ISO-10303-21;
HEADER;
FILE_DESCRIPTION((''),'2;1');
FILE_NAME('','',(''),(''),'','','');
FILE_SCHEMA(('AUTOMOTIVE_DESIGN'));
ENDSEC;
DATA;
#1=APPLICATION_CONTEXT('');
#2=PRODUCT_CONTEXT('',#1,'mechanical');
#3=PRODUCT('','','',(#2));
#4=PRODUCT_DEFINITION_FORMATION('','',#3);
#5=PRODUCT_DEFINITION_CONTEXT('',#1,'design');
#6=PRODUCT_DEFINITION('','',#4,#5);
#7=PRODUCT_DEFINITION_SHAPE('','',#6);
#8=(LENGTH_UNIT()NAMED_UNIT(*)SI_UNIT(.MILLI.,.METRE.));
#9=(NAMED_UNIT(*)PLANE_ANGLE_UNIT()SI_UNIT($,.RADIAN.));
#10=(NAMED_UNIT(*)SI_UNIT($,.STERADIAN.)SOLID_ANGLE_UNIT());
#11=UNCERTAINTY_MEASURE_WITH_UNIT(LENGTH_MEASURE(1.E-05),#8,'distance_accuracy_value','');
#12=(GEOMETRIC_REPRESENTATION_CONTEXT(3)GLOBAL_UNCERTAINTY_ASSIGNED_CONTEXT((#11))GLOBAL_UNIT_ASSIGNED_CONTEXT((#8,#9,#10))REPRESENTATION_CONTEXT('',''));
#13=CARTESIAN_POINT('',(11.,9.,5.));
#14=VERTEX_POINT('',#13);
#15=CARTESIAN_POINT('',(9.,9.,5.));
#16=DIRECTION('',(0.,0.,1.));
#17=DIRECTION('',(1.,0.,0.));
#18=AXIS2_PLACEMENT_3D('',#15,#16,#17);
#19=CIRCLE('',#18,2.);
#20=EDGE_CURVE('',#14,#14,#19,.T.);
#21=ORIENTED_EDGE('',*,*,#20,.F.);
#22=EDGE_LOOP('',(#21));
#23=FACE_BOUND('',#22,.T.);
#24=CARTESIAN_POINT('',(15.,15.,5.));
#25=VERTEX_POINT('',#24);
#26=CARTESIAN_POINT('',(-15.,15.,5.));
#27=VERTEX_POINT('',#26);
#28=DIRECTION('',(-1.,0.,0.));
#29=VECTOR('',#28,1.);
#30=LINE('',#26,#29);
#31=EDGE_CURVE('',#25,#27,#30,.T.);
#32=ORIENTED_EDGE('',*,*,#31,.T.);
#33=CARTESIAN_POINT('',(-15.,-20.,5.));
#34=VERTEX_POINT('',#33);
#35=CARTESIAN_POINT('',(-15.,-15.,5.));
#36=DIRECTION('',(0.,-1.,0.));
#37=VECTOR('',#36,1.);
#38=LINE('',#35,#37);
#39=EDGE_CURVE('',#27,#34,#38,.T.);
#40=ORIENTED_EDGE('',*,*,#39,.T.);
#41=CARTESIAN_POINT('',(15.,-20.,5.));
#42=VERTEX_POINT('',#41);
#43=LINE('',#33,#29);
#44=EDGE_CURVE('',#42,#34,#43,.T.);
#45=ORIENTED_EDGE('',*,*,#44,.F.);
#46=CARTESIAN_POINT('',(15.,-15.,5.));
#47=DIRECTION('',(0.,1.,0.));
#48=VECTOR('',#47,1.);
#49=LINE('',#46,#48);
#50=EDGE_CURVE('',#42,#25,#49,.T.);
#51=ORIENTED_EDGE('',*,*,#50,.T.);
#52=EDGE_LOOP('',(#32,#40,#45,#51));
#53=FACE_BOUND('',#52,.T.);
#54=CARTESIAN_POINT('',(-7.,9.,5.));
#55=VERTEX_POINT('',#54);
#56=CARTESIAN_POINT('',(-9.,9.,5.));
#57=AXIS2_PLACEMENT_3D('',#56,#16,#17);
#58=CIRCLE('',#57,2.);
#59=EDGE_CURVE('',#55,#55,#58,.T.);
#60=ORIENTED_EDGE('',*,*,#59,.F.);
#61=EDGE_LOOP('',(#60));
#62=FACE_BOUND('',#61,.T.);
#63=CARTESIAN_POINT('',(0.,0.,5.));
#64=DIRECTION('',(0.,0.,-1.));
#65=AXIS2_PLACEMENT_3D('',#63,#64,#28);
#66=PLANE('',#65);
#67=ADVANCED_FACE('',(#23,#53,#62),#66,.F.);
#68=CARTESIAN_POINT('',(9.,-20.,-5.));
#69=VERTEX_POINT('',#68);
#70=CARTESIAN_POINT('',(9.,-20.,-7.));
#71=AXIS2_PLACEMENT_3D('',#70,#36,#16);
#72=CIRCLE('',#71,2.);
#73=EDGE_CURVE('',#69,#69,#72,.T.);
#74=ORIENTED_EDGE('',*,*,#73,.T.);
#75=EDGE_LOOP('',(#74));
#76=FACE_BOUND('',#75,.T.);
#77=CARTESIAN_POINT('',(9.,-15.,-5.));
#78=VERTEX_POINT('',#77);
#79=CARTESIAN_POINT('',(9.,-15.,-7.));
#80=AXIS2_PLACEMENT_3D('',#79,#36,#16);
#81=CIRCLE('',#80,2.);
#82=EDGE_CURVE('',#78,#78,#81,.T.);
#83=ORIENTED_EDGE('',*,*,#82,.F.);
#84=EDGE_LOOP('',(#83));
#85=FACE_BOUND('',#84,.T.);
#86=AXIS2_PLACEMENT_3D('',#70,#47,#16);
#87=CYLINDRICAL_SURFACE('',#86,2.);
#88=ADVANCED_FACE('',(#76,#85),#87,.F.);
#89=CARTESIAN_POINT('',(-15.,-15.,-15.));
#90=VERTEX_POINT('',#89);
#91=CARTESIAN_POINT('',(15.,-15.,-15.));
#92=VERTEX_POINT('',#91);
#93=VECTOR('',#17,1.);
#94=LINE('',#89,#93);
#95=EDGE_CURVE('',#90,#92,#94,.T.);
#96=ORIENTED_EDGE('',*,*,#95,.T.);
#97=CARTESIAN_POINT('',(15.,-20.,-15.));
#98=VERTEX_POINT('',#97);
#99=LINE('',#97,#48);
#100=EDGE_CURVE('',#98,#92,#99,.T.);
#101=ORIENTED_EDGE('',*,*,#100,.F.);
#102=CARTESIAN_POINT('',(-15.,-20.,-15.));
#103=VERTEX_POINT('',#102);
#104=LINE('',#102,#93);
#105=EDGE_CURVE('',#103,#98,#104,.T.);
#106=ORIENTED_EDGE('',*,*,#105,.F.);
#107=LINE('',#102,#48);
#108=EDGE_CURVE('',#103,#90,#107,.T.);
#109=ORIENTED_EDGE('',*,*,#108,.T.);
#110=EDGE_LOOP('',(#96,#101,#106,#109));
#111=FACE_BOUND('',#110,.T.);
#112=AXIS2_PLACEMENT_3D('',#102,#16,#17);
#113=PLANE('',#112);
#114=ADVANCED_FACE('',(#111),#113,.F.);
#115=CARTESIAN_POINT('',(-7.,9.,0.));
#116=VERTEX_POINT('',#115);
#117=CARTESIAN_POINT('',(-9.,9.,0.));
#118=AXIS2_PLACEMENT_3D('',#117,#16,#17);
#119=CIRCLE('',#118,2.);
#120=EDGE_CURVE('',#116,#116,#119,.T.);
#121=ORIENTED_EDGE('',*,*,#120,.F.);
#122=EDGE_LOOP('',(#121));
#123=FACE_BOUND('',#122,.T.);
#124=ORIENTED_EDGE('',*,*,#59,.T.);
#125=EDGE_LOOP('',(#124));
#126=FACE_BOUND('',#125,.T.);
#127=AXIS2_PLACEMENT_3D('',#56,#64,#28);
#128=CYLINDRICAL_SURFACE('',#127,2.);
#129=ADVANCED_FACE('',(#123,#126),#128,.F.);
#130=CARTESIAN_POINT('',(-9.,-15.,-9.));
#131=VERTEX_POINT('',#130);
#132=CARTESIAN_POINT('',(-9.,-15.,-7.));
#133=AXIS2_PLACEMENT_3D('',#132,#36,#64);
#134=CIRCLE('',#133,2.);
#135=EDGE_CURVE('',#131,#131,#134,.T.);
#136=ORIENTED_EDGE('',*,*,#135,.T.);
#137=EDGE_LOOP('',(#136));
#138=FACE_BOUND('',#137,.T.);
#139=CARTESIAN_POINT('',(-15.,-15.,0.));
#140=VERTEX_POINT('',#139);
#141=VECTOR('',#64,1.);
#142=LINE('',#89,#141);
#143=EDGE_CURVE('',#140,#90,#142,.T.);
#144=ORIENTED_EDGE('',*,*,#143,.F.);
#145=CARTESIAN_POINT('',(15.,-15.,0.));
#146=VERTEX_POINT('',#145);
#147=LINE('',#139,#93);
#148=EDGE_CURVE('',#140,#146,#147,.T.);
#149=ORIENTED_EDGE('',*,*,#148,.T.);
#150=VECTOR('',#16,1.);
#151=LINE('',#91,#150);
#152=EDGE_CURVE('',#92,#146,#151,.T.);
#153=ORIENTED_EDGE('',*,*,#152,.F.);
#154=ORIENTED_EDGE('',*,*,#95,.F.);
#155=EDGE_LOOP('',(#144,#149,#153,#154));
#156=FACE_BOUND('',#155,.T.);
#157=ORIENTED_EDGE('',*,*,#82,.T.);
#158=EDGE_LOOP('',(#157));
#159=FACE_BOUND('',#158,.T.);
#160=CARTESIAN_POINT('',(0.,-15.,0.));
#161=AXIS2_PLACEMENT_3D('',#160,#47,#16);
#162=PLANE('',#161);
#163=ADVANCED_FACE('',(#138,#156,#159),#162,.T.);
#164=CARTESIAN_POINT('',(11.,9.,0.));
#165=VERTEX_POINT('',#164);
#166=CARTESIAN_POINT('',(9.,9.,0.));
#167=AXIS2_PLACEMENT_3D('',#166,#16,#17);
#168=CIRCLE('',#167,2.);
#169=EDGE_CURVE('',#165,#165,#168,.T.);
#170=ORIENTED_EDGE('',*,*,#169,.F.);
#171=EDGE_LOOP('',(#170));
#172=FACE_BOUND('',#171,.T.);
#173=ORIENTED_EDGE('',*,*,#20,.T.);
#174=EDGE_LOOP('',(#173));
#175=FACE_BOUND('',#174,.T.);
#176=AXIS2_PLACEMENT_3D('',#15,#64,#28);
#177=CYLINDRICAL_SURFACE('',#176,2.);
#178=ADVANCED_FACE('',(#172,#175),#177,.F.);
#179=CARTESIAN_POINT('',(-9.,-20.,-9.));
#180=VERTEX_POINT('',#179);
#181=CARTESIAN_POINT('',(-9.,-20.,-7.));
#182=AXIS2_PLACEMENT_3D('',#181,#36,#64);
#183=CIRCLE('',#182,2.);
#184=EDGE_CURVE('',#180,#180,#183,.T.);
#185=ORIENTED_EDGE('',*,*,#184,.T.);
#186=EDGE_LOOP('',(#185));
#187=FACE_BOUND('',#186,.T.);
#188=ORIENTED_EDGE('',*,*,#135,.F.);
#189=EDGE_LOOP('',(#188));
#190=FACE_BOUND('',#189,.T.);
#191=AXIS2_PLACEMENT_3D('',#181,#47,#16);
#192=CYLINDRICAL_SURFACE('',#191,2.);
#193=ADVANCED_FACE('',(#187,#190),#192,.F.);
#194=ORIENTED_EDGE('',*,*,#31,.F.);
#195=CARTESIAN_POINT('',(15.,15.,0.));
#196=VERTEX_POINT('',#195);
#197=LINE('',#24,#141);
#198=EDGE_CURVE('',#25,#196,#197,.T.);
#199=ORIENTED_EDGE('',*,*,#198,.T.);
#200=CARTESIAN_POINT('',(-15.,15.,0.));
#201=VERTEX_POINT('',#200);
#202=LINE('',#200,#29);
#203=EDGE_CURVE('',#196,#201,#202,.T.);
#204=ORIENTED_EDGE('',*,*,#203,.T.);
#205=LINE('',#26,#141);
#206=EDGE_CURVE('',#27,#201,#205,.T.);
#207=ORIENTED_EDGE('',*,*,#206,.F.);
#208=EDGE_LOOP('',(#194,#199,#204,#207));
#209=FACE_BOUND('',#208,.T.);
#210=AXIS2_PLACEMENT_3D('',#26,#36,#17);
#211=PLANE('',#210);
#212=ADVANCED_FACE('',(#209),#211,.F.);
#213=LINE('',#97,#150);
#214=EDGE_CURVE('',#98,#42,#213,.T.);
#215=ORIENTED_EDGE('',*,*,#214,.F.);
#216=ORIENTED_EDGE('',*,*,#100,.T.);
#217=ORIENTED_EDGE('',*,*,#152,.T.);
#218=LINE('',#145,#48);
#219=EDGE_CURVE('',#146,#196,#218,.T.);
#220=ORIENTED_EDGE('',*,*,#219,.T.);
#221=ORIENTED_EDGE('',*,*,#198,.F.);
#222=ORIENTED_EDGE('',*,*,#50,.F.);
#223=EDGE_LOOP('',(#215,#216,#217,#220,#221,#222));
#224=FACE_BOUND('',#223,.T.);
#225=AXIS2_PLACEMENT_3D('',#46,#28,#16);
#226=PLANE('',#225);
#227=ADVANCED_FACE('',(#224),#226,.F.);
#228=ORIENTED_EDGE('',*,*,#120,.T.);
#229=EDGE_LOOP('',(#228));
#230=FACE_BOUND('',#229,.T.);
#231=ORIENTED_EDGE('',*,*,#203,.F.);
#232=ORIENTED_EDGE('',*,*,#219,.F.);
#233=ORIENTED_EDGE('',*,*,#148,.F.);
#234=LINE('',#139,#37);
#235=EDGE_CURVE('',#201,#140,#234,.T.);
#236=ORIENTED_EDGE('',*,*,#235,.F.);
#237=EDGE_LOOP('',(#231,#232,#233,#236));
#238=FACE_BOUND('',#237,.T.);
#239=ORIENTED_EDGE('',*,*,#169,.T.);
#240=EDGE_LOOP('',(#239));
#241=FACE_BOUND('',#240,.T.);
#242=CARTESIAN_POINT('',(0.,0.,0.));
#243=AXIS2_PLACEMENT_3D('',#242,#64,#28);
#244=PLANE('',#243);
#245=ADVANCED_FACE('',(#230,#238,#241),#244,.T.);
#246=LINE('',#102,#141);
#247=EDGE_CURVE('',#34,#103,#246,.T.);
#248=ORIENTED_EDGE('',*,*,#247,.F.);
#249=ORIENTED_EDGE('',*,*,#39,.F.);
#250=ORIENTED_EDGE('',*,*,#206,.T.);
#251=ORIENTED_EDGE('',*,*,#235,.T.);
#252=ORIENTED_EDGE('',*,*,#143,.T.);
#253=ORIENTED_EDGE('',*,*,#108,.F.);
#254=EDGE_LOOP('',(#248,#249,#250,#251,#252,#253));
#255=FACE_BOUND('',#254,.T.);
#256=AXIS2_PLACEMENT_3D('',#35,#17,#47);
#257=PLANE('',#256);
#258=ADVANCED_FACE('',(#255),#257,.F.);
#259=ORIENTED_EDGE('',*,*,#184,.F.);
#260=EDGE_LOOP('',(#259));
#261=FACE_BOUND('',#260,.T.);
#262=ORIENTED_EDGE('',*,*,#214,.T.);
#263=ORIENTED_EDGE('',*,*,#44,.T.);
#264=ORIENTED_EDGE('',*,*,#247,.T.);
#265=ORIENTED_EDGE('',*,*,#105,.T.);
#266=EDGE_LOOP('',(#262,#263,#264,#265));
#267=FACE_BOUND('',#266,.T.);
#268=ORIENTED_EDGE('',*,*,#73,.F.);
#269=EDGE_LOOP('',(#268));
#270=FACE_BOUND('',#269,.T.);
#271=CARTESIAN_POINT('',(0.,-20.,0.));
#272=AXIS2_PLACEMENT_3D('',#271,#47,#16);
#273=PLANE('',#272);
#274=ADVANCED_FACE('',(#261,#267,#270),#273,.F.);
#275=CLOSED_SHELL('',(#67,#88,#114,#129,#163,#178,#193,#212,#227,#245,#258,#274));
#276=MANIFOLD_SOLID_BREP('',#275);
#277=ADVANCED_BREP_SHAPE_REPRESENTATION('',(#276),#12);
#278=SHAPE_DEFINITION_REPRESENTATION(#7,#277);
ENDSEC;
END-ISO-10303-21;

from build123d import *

# Parameters (mm, degrees)
ESBO_O1_W                = 30
ESBO_O1_H                = 30
ESBO_O1_R                = 2
RESSALTO_EXTRUS_O1_DEPTH = 5
ESBO_O2_W                = 30
ESBO_O2_H                = 20
ESBO_O2_R                = 2
RESSALTO_EXTRUS_O2_DEPTH = 5


with BuildPart() as part:
    # Esboço1 → Ressalto-extrusão1 (new body)
    with BuildSketch(Plane.XY):
        Rectangle(ESBO_O1_W, ESBO_O1_H)
        with Locations((-9, 9)):
            Circle(ESBO_O1_R, mode=Mode.SUBTRACT)
        with Locations((9, 9)):
            Circle(ESBO_O1_R, mode=Mode.SUBTRACT)
    extrude(amount=RESSALTO_EXTRUS_O1_DEPTH)

    # Esboço2 → Ressalto-extrusão2 (add)
    with BuildSketch(Plane.XZ.offset(15)):
        with Locations((0, -5)):
            Rectangle(ESBO_O2_W, ESBO_O2_H)
        with Locations((-9, -7)):
            Circle(ESBO_O2_R, mode=Mode.SUBTRACT)
        with Locations((9, -7)):
            Circle(ESBO_O2_R, mode=Mode.SUBTRACT)
    extrude(amount=RESSALTO_EXTRUS_O2_DEPTH)


solid = part.part
